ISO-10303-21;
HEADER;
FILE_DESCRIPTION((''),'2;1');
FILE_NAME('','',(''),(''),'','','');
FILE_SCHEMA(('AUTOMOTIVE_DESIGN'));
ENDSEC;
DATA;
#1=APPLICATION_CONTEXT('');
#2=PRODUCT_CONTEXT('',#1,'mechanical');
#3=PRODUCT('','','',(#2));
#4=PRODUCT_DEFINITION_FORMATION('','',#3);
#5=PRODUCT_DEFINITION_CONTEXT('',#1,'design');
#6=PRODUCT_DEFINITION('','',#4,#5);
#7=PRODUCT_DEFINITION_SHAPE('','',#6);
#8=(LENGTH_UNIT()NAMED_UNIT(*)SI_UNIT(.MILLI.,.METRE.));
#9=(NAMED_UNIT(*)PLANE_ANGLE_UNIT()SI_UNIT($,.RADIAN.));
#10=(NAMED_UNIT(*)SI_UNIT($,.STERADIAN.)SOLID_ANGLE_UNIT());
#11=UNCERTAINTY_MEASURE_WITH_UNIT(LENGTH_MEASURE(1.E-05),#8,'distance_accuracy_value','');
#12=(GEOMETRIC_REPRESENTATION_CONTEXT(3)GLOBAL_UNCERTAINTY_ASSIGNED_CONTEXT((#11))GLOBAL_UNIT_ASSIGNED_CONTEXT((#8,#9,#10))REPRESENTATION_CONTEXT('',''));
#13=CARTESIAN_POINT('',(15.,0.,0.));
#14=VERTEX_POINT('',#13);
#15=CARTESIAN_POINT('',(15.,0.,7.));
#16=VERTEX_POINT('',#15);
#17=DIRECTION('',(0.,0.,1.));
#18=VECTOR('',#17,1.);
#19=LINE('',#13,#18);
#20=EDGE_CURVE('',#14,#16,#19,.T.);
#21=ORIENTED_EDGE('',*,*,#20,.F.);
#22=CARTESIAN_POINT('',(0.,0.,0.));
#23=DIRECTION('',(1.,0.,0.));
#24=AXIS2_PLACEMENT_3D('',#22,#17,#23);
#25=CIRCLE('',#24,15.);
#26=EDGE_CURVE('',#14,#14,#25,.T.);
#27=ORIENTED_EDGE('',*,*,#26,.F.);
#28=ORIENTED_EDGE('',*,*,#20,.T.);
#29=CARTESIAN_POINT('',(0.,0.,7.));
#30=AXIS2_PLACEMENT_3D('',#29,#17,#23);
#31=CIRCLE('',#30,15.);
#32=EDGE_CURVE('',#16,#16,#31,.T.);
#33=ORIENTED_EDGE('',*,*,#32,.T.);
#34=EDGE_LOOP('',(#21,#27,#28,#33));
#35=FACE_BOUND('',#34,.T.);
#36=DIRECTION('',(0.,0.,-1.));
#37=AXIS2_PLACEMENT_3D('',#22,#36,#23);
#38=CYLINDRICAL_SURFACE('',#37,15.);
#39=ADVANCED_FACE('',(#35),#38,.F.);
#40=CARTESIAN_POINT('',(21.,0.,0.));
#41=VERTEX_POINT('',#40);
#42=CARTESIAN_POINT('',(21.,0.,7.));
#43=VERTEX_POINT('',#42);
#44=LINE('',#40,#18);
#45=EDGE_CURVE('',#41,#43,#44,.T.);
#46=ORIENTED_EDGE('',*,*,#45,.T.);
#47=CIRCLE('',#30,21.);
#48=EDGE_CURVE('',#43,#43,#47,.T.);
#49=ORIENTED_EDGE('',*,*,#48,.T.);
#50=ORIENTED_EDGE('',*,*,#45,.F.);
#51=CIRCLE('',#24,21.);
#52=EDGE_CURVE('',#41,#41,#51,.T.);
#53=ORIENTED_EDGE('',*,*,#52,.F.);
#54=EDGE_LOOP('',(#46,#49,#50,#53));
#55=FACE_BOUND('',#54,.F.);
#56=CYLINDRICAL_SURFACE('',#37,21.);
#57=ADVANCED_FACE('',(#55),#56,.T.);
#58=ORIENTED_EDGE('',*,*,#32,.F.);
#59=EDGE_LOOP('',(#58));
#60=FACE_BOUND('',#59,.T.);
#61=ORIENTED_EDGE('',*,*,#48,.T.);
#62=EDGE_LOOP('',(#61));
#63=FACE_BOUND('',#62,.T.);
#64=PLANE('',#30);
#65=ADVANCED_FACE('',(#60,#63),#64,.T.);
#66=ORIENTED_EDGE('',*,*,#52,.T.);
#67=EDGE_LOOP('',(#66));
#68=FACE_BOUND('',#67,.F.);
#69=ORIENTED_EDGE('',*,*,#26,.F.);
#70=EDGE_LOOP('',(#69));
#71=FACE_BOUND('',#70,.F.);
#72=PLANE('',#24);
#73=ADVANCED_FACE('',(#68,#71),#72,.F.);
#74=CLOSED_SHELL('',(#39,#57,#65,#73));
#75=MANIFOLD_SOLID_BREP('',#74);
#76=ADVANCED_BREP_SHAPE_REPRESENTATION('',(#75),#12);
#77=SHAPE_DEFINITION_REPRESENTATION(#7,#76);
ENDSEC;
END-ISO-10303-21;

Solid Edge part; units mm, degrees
sketch "Sketch1" plane through (0, 0, 0) normal (0, 0, 1) x (1, 0, 0)
  circle A0 centre (0, 0) radius 21
  circle A1 centre (0, 0) radius 15
extrude "Protrusion1" add sketch "Sketch1" along normal blind 7
